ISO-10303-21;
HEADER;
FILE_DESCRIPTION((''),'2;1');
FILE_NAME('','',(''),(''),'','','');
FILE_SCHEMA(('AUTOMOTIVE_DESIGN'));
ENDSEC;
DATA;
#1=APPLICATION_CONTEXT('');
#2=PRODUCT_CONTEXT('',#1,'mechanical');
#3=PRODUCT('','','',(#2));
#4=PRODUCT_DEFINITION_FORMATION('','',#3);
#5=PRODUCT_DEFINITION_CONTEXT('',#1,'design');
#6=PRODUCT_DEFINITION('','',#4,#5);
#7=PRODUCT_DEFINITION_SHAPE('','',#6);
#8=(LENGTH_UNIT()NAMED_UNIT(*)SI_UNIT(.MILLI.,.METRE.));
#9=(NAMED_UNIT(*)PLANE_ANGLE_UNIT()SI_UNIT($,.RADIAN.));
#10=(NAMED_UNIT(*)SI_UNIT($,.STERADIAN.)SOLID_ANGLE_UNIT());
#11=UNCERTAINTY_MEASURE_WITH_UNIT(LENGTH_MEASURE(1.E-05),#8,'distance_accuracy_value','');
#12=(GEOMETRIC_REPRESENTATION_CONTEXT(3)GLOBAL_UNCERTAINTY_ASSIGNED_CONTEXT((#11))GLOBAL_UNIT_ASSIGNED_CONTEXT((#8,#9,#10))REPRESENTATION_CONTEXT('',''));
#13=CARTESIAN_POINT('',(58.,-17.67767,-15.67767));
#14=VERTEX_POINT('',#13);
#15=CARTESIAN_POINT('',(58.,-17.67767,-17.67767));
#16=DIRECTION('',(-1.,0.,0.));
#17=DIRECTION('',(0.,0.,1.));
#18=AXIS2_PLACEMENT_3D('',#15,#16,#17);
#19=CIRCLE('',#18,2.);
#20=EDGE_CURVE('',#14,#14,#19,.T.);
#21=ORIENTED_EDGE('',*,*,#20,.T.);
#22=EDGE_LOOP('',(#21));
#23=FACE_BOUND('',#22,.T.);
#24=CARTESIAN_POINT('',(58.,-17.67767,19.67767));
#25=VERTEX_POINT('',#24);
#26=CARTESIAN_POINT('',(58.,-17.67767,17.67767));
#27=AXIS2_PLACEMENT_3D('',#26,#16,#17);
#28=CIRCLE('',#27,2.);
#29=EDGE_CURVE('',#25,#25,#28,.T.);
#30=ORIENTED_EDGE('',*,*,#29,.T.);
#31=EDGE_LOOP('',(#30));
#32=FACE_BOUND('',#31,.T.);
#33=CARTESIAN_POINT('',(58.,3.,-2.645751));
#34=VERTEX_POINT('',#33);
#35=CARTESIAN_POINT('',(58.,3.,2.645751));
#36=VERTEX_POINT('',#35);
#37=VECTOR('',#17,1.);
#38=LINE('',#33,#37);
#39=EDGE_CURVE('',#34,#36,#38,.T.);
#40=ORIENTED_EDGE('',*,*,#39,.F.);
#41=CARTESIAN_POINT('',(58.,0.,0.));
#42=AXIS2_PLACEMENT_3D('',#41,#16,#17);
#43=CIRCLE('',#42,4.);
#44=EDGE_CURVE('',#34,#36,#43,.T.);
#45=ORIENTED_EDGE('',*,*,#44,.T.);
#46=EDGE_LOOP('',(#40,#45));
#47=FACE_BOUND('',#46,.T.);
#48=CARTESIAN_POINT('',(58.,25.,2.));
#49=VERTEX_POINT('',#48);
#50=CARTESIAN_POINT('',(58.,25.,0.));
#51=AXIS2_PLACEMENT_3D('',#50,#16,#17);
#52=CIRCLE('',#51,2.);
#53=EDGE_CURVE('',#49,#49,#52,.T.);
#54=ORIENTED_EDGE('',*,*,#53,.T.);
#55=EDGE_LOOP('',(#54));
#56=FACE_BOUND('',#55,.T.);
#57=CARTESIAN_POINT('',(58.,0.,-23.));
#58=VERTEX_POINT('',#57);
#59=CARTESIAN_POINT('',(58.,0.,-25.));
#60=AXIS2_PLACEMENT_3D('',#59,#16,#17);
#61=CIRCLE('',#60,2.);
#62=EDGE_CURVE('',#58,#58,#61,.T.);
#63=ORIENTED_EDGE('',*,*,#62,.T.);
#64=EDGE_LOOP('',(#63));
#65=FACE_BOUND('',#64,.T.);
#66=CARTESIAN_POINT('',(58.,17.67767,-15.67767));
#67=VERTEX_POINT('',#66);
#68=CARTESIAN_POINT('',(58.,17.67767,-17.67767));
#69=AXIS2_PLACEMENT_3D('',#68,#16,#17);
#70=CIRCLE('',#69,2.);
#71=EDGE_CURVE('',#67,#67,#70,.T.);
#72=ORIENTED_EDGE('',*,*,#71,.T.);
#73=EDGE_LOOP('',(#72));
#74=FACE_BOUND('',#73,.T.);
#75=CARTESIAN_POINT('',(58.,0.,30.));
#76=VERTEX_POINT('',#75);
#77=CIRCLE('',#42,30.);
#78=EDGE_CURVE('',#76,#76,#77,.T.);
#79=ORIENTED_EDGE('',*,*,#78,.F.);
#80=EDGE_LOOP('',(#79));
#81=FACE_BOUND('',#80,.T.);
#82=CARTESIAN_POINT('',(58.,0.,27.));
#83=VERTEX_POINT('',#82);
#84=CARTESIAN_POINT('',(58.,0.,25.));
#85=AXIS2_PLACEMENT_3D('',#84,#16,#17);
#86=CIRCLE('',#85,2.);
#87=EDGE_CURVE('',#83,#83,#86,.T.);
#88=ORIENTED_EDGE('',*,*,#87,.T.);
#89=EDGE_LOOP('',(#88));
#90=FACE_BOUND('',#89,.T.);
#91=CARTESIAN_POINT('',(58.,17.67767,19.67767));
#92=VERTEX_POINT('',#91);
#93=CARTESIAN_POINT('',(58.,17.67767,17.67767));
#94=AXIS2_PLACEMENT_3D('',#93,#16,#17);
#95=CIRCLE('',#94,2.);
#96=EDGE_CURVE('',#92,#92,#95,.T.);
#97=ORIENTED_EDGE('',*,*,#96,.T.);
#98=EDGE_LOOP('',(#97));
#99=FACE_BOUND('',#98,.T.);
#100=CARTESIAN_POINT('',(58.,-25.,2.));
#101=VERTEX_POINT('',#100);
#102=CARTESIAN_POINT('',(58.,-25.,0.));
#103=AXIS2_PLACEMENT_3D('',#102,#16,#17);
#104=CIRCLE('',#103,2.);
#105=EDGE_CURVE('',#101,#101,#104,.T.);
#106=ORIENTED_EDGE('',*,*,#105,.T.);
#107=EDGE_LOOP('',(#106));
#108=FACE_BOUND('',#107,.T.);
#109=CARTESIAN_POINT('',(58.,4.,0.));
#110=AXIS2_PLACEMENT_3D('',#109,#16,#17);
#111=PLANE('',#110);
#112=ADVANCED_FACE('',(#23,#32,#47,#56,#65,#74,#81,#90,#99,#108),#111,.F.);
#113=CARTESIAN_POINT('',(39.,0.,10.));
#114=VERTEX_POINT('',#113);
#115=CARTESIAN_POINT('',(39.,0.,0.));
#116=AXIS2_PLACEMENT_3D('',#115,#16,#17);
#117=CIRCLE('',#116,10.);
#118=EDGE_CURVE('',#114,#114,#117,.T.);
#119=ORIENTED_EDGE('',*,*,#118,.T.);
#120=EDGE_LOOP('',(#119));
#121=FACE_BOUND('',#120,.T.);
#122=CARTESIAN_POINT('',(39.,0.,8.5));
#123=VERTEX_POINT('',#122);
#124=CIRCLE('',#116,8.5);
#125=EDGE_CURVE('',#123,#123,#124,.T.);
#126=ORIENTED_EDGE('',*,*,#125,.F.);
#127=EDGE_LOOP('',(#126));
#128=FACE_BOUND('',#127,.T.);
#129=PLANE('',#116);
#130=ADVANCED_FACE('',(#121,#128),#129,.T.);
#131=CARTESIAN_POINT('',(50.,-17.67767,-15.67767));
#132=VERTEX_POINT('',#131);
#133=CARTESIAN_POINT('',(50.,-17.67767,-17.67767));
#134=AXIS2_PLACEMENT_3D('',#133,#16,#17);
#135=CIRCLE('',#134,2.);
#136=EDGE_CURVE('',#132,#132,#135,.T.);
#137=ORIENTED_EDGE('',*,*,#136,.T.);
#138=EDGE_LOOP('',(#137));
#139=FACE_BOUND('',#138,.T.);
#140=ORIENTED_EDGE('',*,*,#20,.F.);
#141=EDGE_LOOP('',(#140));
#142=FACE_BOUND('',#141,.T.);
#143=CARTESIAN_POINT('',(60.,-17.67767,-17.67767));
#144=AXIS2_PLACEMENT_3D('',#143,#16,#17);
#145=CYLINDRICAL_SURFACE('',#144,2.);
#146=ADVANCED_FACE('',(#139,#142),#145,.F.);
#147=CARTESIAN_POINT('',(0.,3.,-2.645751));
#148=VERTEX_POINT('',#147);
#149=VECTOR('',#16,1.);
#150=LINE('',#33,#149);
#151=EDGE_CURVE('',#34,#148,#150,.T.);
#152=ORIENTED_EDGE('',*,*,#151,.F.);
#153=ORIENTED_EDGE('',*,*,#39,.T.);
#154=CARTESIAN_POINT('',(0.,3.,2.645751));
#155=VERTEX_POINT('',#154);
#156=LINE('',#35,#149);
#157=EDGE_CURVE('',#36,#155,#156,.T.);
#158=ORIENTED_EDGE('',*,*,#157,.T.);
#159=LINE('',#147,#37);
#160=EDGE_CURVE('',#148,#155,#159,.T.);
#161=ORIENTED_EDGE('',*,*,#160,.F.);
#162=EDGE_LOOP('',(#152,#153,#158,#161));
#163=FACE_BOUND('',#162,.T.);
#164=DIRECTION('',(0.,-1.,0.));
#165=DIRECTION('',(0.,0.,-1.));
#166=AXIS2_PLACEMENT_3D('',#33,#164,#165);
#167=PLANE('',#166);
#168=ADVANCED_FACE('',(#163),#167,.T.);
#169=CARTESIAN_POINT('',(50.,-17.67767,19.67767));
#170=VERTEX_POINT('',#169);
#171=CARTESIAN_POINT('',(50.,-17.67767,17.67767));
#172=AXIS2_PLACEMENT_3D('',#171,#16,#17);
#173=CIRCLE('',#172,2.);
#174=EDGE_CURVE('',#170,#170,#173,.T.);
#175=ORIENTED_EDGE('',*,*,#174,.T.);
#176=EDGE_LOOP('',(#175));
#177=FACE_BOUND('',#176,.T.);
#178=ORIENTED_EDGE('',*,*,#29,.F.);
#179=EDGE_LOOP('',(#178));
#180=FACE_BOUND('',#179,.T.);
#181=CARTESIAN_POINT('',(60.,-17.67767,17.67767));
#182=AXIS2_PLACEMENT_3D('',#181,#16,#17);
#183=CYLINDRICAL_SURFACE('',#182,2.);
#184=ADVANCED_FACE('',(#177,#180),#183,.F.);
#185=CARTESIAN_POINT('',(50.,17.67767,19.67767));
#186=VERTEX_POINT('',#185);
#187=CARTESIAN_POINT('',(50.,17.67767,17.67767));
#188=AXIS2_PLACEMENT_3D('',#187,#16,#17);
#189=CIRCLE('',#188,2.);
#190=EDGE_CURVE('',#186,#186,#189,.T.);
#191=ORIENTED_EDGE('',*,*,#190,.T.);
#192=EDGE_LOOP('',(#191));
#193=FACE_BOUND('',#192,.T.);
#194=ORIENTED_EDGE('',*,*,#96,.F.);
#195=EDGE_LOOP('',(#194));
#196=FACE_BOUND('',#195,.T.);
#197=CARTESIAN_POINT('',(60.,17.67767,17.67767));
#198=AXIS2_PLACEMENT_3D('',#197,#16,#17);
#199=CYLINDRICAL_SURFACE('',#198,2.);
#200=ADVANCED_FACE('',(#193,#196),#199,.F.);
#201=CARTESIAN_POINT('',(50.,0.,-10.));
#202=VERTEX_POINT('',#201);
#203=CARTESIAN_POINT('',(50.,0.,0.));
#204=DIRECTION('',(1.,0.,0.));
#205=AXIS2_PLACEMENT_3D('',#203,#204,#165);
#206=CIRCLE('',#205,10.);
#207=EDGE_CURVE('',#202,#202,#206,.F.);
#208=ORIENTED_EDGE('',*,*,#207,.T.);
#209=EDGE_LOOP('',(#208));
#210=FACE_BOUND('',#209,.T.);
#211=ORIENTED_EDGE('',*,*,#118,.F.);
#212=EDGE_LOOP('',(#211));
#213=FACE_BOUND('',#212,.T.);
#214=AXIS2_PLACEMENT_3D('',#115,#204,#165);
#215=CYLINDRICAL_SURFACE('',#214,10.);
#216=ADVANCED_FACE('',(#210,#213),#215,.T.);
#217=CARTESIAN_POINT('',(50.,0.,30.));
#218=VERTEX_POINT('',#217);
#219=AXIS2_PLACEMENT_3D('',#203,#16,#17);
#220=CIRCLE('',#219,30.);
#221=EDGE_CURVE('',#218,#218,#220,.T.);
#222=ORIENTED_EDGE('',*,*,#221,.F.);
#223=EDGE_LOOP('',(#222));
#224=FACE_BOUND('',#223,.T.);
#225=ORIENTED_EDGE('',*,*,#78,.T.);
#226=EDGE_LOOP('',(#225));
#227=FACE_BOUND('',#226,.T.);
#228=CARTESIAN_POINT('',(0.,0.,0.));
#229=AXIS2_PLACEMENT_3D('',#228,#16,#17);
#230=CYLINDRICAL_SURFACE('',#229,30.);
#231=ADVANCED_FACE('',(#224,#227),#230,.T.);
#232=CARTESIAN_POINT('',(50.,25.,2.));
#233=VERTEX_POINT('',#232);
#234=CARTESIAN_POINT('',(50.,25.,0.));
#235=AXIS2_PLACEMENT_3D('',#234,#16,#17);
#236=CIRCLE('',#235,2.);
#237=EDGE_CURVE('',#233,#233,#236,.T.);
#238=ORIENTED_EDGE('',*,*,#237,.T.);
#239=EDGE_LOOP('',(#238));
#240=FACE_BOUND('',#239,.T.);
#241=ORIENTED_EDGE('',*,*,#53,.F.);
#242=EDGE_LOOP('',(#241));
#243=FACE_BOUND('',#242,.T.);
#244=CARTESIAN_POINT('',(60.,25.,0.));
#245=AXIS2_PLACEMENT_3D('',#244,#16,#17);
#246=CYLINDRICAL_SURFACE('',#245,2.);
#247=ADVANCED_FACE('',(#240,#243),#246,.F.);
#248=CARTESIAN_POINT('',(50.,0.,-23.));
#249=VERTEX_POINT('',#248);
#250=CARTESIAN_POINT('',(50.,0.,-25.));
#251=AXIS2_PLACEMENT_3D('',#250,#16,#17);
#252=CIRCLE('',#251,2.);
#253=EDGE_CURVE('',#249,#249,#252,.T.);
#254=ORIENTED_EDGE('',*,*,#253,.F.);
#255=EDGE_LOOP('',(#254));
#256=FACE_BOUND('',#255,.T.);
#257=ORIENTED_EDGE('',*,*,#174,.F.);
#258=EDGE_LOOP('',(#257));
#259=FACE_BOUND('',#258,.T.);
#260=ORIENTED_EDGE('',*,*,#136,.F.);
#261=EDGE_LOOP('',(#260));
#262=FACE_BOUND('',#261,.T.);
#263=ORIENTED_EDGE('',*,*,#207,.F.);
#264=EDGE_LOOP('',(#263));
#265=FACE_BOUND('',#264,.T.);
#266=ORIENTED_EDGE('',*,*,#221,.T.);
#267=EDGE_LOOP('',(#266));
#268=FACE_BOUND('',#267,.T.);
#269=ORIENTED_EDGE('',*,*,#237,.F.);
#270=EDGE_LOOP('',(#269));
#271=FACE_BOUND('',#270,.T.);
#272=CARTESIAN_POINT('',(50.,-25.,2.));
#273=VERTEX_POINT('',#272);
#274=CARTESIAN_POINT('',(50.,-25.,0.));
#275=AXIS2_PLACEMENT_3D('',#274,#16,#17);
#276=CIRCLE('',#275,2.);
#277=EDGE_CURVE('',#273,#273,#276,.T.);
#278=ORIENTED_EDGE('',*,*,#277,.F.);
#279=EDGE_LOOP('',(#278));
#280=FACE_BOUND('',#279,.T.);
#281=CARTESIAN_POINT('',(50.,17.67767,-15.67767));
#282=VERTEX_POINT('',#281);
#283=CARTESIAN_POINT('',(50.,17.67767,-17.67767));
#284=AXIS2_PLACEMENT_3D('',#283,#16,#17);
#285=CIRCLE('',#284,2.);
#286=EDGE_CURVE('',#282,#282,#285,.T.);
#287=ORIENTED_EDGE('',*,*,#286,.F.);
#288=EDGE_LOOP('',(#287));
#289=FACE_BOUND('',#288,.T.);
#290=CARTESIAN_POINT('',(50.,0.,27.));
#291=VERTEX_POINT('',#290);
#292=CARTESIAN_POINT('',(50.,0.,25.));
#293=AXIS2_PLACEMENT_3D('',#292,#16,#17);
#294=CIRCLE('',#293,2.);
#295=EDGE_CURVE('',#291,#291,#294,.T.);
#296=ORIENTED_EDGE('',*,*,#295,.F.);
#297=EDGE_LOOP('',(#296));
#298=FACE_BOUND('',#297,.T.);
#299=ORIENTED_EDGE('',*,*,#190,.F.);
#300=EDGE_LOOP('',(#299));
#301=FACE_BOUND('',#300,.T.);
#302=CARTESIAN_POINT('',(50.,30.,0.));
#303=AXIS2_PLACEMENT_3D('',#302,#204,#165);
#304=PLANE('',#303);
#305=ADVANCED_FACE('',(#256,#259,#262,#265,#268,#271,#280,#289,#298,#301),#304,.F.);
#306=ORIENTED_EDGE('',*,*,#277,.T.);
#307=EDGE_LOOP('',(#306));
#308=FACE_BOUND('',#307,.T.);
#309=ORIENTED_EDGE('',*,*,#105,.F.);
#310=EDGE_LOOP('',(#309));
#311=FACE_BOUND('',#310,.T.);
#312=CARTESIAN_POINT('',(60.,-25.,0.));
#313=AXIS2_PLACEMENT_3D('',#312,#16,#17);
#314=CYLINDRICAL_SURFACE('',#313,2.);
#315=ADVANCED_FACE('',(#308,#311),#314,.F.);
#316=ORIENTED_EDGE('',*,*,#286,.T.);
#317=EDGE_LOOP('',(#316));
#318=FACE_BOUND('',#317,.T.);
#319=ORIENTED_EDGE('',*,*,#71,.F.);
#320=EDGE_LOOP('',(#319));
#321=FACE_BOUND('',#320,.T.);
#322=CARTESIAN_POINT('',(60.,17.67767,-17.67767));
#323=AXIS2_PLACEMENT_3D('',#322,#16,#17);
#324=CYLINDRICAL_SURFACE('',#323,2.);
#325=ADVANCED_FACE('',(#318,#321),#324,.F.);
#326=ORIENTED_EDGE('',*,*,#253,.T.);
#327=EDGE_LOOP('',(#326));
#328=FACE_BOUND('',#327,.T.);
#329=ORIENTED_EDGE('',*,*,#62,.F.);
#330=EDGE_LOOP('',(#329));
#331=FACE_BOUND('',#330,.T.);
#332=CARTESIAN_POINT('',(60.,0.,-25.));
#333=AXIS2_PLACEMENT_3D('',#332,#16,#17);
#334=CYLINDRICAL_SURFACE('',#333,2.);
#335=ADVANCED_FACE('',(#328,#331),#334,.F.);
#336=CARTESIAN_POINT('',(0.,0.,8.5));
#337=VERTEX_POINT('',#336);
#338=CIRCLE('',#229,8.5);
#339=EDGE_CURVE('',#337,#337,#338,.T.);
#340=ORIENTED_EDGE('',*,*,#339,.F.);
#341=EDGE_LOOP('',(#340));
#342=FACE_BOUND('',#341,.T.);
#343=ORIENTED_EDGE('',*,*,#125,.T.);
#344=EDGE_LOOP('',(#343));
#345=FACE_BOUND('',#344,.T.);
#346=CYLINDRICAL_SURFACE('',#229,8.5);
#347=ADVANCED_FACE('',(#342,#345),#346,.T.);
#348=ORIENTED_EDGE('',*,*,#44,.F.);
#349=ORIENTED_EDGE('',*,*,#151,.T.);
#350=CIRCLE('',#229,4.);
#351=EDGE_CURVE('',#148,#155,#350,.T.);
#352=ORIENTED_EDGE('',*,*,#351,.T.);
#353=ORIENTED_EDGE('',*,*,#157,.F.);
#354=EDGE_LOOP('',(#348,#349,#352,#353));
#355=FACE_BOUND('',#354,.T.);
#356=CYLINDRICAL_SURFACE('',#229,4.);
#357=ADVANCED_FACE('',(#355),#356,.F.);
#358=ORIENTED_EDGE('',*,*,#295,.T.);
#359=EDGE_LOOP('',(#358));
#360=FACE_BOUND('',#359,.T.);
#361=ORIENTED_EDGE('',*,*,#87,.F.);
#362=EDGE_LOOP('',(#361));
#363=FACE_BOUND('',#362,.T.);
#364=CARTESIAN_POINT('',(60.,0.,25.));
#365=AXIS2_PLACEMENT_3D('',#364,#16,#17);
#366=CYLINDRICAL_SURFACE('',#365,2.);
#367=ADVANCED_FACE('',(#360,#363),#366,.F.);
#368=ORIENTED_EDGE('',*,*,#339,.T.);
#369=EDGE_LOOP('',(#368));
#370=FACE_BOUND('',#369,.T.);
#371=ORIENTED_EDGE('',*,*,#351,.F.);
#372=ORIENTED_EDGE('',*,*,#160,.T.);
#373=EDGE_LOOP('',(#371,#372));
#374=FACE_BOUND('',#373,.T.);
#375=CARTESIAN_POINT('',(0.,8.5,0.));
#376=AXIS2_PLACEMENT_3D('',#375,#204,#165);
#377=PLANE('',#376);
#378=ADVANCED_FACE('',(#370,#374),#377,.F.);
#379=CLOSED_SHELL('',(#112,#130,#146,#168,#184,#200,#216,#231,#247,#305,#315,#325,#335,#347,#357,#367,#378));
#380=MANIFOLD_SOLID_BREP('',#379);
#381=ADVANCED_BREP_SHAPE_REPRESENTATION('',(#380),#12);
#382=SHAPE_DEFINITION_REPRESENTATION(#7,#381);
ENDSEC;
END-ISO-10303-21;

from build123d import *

# Parameters (mm, degrees)
SKETCH2_R           = 2
CUT_EXTRUDE1_DEPTH  = 10
BOSS_EXTRUDE1_DEPTH = 58
SKETCH4_R           = 10
BOSS_EXTRUDE2_DEPTH = 11


with BuildPart() as part:
    # Sketch1 → Revolve1 (revolve)
    with BuildSketch(Plane.XY, mode=Mode.PRIVATE) as revolve1_sk:
        Polygon((0, 4), (58, 4), (58, 30), (50, 30), (50, 8.5), (0, 8.5), align=None)
    revolve(revolve1_sk.sketch.rotate(Axis((0, 0, 0), (1, 0, 0)), 90), axis=Axis((0, 0, 0), (1, 0, 0)))

    # Sketch2 → Cut-Extrude1 (cut)
    with BuildSketch(Plane.ZY.offset(-50)):
        with Locations((0, 25)):
            Circle(SKETCH2_R)
        with Locations((17.67766953, 17.67766953)):
            Circle(SKETCH2_R)
        with Locations((25, 0)):
            Circle(SKETCH2_R)
        with Locations((17.67766953, -17.67766953)):
            Circle(SKETCH2_R)
        with Locations((0, -25)):
            Circle(SKETCH2_R)
        with Locations((-17.67766953, -17.67766953)):
            Circle(SKETCH2_R)
        with Locations((-25, 0)):
            Circle(SKETCH2_R)
        with Locations((-17.67766953, 17.67766953)):
            Circle(SKETCH2_R)
    extrude(amount=-CUT_EXTRUDE1_DEPTH, mode=Mode.SUBTRACT)

    # Sketch3 → Boss-Extrude1 (add, through all)
    with BuildSketch(Plane.ZY):
        with BuildLine():
            Line((-2.645751311, 3), (2.645751311, 3))
            ThreePointArc((2.645751311, 3), (0, 4), (-2.645751311, 3))
        make_face()
    extrude(amount=-BOSS_EXTRUDE1_DEPTH)

    # Sketch4 → Boss-Extrude2 (add)
    with BuildSketch(Plane.ZY.offset(-50)):
        with Locations(Location((0, 0, 0), (0, 0, 180))):
            Circle(SKETCH4_R)
        with BuildLine():
            Line((-2.645751311, 3), (2.645751311, 3))
            ThreePointArc((2.645751311, 3), (0, -4), (-2.645751311, 3))
        make_face(mode=Mode.SUBTRACT)
    extrude(amount=BOSS_EXTRUDE2_DEPTH)


solid = part.part
